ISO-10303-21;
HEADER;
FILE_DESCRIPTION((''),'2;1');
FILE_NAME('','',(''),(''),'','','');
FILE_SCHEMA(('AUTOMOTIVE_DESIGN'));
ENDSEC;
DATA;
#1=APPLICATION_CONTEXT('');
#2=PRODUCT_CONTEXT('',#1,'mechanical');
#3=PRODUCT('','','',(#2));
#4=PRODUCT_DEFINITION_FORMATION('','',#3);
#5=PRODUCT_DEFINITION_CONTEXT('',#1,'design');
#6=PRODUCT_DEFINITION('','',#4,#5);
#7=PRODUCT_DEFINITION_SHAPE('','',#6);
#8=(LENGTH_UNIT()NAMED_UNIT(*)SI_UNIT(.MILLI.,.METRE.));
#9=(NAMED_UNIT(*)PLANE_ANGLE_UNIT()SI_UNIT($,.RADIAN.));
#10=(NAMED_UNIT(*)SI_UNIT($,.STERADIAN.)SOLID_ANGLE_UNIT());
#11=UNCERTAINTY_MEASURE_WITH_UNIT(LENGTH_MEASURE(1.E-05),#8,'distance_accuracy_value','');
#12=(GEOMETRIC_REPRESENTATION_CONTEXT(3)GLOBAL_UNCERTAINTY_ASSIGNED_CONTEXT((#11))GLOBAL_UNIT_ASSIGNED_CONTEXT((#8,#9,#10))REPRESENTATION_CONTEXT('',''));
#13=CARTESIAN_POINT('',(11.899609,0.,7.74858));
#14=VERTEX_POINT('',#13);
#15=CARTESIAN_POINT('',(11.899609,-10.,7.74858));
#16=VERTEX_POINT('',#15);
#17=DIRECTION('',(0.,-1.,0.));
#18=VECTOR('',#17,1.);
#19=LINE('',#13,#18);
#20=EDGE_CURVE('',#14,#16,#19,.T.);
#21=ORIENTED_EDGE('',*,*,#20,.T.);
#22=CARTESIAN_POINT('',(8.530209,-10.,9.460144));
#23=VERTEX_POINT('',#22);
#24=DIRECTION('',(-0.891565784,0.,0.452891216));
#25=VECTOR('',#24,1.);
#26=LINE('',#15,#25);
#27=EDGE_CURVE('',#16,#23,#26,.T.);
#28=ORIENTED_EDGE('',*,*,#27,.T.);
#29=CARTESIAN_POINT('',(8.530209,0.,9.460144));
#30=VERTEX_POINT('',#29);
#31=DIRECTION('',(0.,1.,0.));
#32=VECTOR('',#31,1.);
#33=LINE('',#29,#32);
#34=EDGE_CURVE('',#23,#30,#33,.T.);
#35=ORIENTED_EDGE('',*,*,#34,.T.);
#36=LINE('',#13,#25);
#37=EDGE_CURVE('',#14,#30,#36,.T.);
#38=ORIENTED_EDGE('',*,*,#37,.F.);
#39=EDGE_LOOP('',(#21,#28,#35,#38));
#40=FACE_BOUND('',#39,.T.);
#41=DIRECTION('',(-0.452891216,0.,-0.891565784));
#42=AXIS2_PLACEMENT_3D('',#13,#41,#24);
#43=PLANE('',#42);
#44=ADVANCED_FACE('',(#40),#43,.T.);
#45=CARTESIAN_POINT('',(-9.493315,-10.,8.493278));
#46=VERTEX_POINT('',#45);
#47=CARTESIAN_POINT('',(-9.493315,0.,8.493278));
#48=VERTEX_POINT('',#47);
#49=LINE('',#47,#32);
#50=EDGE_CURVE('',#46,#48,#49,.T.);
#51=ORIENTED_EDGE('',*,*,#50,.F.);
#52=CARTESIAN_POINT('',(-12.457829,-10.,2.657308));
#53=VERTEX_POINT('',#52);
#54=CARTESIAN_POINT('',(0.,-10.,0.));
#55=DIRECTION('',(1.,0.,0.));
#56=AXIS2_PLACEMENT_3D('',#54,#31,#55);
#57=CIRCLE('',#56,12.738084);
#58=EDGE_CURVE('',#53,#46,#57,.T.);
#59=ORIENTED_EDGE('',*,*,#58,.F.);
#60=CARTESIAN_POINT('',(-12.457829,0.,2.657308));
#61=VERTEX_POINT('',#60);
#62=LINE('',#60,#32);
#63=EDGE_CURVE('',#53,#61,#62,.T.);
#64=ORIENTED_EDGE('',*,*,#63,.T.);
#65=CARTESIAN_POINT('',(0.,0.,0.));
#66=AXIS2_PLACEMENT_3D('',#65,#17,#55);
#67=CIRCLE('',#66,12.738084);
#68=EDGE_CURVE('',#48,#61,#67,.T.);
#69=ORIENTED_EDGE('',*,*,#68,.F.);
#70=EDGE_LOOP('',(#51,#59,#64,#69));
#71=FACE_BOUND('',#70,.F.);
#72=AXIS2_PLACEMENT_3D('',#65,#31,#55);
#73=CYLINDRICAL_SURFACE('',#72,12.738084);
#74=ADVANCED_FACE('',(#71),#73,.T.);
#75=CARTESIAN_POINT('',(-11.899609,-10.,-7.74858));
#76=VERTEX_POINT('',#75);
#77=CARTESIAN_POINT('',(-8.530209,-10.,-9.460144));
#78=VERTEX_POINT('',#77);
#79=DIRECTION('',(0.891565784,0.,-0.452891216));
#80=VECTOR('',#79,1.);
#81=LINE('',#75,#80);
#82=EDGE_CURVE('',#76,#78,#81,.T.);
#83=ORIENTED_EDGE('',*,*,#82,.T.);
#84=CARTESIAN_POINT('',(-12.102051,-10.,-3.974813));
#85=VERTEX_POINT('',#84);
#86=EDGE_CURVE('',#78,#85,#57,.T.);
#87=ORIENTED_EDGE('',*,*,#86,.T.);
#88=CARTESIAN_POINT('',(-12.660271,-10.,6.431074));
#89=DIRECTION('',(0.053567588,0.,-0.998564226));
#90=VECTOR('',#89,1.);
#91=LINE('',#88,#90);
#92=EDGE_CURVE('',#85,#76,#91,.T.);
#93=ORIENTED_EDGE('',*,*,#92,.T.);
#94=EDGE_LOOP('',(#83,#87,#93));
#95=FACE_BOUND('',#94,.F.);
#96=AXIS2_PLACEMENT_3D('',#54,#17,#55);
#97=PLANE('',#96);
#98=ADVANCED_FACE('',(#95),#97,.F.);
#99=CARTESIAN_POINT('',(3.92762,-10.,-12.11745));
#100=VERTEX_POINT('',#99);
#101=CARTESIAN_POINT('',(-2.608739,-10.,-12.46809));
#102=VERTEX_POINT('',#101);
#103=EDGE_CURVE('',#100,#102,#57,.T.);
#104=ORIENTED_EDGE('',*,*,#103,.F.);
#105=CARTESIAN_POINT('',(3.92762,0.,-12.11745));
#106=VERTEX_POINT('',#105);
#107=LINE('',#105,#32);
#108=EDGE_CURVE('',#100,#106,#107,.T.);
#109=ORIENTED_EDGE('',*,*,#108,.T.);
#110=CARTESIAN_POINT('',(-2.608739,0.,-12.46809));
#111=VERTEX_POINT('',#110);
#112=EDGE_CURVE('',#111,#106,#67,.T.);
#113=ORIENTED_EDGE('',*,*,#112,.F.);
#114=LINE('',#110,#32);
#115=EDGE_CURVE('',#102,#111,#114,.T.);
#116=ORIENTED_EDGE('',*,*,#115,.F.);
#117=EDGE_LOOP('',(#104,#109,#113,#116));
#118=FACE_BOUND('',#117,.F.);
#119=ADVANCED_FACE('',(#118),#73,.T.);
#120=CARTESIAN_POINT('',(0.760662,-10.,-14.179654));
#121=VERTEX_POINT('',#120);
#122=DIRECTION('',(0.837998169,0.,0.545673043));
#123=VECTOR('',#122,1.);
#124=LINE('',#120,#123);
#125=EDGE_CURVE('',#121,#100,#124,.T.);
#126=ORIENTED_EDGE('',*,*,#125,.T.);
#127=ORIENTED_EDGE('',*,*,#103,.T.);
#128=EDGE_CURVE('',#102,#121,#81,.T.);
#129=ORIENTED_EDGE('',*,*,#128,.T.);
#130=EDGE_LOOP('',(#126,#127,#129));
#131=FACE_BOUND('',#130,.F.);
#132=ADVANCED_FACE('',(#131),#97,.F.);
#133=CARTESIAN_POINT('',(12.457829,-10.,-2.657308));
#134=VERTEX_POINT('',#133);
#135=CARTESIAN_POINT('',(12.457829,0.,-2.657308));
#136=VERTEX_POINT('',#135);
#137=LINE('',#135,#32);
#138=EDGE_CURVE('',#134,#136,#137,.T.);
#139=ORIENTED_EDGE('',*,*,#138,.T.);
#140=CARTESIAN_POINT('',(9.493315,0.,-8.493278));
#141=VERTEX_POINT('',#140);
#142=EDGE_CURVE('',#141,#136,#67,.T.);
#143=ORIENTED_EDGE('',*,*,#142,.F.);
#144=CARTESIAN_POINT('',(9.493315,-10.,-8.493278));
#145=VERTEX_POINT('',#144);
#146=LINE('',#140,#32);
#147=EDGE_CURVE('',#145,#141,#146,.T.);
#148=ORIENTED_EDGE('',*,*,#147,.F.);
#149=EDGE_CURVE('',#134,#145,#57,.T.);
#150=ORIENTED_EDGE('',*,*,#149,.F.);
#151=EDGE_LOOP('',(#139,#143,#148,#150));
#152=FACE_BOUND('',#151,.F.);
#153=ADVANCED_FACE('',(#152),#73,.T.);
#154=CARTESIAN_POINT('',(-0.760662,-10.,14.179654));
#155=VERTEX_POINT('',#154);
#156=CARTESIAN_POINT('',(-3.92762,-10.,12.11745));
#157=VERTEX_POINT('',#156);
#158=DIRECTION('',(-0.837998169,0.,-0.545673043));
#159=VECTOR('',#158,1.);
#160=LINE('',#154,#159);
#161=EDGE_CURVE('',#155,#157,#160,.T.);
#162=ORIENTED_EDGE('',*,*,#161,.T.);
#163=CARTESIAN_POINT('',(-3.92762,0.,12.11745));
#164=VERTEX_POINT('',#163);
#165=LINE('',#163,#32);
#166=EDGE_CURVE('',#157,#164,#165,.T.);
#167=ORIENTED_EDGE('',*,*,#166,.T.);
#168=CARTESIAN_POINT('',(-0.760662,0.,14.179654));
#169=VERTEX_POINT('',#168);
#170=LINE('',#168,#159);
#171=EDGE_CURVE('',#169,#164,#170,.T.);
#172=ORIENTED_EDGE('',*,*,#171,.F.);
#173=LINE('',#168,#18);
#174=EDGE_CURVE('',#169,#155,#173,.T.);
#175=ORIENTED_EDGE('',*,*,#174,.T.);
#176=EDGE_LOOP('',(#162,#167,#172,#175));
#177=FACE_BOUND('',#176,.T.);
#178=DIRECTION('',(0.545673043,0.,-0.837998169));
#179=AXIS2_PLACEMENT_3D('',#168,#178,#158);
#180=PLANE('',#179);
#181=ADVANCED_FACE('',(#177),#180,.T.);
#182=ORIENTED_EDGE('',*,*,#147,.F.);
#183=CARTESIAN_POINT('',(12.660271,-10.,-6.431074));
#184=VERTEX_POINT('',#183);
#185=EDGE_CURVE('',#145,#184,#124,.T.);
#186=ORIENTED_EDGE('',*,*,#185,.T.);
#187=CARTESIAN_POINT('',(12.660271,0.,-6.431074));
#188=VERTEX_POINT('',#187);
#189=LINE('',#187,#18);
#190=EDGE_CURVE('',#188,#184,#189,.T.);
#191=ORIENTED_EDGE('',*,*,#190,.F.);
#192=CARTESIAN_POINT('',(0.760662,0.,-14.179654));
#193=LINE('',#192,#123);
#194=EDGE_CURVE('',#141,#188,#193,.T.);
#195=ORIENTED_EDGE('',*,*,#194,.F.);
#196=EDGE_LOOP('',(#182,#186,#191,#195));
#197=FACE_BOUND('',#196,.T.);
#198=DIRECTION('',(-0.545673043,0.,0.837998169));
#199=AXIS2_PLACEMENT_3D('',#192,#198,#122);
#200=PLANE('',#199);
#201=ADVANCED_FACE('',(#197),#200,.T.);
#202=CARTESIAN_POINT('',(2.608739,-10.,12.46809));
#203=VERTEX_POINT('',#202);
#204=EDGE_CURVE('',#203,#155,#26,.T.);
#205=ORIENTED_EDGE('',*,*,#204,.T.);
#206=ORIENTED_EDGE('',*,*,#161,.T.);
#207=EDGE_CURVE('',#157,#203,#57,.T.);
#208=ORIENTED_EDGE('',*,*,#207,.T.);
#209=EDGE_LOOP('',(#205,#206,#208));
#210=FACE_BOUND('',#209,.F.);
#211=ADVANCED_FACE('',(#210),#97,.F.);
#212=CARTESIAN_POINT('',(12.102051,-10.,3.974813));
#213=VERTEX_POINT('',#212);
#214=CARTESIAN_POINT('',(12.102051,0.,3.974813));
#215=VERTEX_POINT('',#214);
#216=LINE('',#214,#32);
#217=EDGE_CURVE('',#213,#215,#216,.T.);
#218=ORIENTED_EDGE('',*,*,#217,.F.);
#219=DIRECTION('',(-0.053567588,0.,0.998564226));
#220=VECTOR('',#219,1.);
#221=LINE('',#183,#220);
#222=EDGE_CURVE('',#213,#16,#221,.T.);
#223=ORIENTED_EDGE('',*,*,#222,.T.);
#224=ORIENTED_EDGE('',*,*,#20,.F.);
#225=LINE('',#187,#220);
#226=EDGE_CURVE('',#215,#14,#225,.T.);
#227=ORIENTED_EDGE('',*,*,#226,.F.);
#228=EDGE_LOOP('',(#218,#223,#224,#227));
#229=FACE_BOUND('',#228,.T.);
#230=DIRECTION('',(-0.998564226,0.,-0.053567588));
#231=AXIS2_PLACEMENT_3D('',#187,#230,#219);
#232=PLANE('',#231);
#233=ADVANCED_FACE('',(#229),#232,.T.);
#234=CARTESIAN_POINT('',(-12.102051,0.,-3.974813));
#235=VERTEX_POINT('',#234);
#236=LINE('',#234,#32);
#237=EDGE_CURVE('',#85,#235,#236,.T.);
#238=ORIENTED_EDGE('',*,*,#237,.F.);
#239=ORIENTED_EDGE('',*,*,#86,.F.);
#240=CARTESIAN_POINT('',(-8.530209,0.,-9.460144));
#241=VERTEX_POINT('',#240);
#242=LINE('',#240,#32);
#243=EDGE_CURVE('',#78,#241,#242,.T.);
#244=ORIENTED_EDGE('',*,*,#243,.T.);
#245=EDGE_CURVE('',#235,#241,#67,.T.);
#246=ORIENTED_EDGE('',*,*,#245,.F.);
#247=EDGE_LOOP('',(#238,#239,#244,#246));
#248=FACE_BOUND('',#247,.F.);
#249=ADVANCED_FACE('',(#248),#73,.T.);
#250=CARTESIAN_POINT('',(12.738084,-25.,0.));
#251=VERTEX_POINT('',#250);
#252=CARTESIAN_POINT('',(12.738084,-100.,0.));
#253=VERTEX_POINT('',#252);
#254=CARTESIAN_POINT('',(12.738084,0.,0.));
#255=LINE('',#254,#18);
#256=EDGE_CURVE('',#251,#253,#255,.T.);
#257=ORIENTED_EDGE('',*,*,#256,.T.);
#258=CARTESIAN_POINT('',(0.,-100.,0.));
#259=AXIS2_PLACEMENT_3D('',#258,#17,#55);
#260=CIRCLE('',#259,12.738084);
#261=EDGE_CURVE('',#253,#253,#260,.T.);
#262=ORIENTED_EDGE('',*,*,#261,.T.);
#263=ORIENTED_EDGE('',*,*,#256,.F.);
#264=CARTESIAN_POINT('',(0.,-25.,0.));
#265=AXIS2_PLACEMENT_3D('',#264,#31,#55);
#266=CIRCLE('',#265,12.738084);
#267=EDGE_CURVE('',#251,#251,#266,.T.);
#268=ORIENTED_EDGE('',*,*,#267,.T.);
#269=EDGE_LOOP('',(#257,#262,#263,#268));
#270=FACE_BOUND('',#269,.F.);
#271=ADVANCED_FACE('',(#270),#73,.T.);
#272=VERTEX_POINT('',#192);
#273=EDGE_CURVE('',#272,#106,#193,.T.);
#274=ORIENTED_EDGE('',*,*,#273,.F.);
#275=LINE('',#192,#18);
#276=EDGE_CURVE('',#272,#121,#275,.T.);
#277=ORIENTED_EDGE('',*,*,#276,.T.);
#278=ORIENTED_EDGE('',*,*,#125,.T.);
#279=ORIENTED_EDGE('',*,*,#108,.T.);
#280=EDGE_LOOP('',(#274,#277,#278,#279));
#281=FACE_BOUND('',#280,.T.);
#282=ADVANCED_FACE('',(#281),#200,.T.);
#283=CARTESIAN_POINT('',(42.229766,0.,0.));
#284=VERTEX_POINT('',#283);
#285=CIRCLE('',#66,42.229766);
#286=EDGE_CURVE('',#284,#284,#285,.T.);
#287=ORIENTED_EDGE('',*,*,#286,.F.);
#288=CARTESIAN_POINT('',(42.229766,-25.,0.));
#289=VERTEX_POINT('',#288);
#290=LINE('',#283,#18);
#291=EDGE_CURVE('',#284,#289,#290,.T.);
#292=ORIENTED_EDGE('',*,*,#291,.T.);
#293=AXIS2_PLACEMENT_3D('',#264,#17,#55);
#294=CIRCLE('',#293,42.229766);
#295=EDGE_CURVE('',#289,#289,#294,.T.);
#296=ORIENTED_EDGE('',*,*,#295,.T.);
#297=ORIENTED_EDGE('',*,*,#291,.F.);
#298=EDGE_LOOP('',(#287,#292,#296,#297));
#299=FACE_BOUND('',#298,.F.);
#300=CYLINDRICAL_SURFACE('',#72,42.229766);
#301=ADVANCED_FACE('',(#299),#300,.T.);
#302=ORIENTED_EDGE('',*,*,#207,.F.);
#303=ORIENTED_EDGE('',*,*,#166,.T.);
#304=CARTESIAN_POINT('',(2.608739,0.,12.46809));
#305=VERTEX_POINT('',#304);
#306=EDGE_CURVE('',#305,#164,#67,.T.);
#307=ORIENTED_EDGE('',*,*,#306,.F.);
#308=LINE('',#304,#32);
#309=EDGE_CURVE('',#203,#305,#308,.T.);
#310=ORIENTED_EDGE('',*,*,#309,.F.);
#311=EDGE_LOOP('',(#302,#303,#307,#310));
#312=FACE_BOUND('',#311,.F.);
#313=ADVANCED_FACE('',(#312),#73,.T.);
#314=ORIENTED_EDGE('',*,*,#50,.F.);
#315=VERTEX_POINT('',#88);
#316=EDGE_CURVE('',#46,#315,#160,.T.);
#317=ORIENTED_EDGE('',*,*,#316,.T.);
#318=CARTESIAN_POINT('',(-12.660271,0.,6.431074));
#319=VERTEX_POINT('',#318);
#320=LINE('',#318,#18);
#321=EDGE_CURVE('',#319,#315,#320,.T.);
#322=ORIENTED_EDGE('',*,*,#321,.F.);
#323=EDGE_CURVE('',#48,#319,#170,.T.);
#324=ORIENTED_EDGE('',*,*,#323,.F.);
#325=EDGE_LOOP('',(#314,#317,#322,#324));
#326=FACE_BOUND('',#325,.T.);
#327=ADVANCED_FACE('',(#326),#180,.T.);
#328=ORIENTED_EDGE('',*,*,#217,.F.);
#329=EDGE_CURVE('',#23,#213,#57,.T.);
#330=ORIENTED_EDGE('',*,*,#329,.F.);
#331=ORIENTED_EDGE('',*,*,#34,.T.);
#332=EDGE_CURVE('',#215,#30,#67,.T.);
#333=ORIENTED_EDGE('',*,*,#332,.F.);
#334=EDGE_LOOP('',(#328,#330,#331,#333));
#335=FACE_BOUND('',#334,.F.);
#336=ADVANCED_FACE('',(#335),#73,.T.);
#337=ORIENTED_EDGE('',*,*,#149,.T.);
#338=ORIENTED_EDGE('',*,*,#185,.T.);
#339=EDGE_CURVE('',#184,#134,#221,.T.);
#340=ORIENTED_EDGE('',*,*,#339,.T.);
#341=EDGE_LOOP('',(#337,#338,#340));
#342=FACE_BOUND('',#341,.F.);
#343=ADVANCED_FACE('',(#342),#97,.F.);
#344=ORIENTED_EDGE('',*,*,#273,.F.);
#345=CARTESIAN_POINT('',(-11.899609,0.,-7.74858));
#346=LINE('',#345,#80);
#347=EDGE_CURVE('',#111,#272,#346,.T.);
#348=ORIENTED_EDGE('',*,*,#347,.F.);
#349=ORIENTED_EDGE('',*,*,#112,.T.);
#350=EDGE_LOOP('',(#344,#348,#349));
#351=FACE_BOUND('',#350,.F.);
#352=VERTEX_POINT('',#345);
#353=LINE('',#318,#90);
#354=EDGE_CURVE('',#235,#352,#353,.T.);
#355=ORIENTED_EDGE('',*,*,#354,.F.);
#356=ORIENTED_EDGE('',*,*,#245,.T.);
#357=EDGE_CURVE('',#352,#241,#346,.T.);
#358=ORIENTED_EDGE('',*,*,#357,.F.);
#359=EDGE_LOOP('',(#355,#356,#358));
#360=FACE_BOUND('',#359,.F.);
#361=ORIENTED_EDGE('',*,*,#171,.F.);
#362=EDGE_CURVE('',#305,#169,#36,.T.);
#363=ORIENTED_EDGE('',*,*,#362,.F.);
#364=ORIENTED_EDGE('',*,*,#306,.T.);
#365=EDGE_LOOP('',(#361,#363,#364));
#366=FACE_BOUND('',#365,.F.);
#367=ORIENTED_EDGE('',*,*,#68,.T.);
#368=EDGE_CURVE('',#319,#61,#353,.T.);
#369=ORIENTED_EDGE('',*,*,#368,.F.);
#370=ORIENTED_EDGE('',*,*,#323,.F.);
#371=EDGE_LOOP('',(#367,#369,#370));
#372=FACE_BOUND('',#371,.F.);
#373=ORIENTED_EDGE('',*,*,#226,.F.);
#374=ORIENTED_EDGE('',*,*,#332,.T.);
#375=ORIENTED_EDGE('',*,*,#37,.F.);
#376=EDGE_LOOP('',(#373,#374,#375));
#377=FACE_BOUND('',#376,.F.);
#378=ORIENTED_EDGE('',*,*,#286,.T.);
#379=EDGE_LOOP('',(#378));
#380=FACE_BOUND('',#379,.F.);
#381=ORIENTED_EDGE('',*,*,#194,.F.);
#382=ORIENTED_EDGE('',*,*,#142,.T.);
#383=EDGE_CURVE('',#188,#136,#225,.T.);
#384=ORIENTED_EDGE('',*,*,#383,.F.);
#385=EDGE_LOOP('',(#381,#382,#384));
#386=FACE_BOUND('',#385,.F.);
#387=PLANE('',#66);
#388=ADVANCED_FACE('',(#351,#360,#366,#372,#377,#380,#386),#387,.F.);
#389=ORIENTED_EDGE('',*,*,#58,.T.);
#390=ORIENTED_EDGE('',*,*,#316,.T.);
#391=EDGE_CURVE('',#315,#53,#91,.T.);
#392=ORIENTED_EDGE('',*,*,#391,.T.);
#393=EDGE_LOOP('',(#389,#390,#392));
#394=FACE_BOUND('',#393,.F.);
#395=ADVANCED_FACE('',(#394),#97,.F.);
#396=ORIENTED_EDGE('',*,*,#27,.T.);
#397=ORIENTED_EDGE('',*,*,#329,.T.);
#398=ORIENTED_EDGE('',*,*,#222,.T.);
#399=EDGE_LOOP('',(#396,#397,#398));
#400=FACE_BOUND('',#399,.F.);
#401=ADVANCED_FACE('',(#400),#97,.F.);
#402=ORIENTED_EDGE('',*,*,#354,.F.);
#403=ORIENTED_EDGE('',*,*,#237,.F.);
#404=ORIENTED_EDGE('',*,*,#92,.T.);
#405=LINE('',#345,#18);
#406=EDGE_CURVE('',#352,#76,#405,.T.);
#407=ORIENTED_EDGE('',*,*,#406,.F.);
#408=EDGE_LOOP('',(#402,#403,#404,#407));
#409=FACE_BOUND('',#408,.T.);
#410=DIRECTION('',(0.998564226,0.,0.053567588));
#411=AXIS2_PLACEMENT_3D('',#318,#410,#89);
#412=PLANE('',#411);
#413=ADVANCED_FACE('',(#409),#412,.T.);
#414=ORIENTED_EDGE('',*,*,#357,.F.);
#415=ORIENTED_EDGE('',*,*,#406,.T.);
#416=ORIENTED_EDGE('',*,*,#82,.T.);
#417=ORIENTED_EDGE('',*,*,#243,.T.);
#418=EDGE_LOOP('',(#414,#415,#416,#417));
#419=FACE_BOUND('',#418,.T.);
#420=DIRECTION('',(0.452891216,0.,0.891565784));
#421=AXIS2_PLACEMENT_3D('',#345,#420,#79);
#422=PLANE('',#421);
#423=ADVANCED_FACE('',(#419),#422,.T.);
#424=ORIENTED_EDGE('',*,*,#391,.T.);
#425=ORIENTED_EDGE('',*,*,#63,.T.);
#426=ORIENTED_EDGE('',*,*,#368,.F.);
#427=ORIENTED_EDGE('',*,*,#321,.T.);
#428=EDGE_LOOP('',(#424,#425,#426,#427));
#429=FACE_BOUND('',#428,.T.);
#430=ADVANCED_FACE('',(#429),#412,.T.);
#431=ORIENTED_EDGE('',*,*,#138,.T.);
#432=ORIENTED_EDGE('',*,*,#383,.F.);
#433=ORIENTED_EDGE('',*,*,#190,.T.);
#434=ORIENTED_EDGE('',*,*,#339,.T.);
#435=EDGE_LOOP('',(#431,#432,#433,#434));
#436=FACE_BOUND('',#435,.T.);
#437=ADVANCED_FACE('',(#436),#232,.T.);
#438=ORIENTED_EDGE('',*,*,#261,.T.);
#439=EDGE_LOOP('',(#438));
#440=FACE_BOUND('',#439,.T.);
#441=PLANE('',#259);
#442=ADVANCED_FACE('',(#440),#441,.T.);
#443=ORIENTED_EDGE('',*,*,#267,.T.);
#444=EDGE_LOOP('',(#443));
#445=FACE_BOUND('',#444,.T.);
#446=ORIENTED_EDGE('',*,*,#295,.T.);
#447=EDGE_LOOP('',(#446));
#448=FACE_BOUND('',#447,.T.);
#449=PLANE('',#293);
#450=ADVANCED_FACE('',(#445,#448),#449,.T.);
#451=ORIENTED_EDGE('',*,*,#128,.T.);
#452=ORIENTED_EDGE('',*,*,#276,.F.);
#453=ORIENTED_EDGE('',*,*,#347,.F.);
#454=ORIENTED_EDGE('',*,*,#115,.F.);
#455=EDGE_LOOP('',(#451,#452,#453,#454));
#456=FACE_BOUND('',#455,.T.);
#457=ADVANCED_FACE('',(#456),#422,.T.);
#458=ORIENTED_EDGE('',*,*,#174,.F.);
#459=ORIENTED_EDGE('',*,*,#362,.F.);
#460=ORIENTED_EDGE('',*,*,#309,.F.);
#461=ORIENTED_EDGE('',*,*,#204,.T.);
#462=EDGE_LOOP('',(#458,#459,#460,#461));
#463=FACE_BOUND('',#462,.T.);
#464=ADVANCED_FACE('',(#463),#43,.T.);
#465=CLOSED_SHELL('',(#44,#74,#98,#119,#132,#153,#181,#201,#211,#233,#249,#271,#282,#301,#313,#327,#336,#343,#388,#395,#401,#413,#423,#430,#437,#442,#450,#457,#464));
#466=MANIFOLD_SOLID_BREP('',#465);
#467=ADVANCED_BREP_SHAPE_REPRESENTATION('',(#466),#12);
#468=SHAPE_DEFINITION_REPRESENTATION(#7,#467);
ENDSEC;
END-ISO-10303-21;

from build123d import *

# Parameters (mm, degrees)
F0_R     = 42.229766
F1_DEPTH = 25
F3_DEPTH = 10
F4_R     = 12.738084
F5_DEPTH = 100


with BuildPart() as f1:
    # F0 (on Front) → F1 (new body)
    with BuildSketch(Plane.XZ):
        Circle(F0_R)
    extrude(amount=F1_DEPTH)

    # F2 (on Front) → F3 (cut)
    with BuildSketch(Plane.XZ):
        Polygon((0.760662, -14.179654), (12.660271, -6.431074), (11.899609, 7.74858), (-0.760662, 14.179654), (-12.660271, 6.431074), (-11.899609, -7.74858), align=None)
    extrude(amount=F3_DEPTH, mode=Mode.SUBTRACT)

    # F4 (on Front) → F5 (join)
    with BuildSketch(Plane.XZ):
        Circle(F4_R)
    extrude(amount=F5_DEPTH)


solid = f1.part
